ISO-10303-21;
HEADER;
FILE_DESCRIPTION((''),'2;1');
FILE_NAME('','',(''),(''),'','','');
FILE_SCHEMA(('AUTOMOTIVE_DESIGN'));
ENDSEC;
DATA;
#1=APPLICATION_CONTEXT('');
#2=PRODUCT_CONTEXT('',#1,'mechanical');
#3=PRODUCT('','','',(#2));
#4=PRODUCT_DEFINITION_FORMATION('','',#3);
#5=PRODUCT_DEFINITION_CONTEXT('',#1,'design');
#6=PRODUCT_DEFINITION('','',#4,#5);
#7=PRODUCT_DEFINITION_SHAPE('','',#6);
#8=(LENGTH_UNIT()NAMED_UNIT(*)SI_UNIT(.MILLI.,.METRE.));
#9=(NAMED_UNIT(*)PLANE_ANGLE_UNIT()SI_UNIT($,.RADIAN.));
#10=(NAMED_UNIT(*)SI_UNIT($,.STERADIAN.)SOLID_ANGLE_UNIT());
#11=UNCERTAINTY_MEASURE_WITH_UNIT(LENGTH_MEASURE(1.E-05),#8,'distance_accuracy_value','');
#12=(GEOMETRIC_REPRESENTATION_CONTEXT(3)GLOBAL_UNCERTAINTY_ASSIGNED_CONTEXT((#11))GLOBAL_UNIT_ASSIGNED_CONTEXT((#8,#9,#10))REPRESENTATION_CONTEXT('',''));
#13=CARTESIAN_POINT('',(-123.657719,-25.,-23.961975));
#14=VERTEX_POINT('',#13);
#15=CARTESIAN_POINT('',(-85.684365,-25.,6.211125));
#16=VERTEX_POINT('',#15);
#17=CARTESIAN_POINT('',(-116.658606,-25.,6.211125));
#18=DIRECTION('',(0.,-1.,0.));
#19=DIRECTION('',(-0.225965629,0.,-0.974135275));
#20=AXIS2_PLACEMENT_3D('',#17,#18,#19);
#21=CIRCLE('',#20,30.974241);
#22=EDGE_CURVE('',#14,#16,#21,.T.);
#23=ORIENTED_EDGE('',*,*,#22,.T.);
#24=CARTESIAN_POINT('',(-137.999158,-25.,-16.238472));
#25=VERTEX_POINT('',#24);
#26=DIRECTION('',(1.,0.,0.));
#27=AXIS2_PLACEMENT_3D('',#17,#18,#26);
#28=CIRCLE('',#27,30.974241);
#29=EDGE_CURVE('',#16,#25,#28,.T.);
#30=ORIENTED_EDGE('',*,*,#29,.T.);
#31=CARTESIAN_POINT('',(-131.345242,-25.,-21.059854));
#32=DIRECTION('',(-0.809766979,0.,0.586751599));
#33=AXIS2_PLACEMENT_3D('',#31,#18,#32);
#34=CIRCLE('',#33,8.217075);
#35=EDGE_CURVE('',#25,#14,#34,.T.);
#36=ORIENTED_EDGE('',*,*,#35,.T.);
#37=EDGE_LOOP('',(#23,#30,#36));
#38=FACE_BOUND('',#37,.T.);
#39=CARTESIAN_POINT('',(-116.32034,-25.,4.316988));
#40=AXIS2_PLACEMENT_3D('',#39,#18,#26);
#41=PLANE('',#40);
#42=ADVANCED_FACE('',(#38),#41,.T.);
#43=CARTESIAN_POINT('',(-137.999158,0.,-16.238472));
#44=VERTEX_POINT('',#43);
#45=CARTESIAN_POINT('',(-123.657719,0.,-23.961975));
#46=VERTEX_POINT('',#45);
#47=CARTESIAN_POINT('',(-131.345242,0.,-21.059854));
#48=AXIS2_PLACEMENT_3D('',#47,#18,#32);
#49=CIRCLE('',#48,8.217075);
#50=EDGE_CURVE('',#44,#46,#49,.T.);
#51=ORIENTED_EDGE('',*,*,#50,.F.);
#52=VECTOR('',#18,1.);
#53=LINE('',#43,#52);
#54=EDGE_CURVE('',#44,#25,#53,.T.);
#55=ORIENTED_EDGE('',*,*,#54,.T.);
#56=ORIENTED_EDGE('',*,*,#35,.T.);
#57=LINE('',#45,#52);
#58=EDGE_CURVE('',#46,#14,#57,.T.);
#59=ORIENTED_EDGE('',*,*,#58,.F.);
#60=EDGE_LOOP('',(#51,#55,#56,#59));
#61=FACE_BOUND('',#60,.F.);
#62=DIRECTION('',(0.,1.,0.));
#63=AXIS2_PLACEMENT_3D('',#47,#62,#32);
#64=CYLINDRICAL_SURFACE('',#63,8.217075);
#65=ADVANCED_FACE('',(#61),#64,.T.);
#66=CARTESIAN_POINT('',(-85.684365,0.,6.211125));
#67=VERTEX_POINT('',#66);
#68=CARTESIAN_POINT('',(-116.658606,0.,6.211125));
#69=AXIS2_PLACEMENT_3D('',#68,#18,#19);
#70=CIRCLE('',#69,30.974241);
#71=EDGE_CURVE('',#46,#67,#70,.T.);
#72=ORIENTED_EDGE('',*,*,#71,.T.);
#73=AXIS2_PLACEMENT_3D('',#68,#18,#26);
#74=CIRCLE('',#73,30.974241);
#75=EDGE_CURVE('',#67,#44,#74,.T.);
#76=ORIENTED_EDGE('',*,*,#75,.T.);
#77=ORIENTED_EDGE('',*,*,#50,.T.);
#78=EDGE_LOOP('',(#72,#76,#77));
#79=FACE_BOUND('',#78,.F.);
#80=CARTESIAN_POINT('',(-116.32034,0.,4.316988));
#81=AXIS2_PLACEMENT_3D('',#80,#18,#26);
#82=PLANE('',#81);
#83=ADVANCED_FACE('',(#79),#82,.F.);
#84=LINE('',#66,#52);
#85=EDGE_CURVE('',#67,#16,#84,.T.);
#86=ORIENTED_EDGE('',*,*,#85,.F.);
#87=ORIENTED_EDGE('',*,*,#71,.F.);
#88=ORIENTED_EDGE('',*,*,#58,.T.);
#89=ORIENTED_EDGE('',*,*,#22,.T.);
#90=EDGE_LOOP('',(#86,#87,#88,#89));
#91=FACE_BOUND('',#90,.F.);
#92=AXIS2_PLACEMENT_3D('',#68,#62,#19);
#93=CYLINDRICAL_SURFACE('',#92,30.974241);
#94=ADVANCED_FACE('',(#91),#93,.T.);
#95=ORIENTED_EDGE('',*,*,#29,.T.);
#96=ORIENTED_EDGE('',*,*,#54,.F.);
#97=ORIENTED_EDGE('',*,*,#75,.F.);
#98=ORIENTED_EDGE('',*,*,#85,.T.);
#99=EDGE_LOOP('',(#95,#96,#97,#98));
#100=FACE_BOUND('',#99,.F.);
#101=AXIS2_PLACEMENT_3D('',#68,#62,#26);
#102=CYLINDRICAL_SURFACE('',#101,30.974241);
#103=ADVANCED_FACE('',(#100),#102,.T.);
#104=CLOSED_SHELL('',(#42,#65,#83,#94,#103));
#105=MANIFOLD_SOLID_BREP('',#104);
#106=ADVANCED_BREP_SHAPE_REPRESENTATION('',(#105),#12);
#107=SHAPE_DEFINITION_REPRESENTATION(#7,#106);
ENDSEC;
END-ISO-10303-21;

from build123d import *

# Parameters (mm, degrees)
F1_DEPTH = 25


with BuildPart() as f1:
    # F0 (on Front) → F1 (new body)
    with BuildSketch(Plane.XZ):
        with BuildLine():
            ThreePointArc((-123.6577194953, -23.9619754723), (-97.3893118602, -18.0396050469), (-85.6843646509, 6.2111252919))
            ThreePointArc((-85.6843646509, 6.2111252919), (-128.8732729222, 34.6752344052), (-137.9991579677, -16.2384722701))
            ThreePointArc((-137.9991579677, -16.2384722701), (-128.811017173, -13.2433317895), (-123.1281676254, -21.0598539561))
            ThreePointArc((-123.1281676254, -21.0598539561), (-123.261639602, -22.5348738269), (-123.6577194953, -23.9619754723))
        make_face()
        with BuildLine():
            ThreePointArc((-123.1281676254, -21.0598539561), (-128.811017173, -13.2433317895), (-137.9991579677, -16.2384722701))
            ThreePointArc((-137.9991579677, -16.2384722701), (-131.3452422619, -21.0598539561), (-123.6577194953, -23.9619754723))
            ThreePointArc((-123.6577194953, -23.9619754723), (-123.261639602, -22.5348738269), (-123.1281676254, -21.0598539561))
        make_face()
        with BuildLine():
            ThreePointArc((-123.6577194953, -23.9619754723), (-131.3452422619, -21.0598539561), (-137.9991579677, -16.2384722701))
            ThreePointArc((-137.9991579677, -16.2384722701), (-135.2414213283, -28.2945000611), (-123.6577194953, -23.9619754723))
        make_face()
    extrude(amount=F1_DEPTH)


solid = f1.part
